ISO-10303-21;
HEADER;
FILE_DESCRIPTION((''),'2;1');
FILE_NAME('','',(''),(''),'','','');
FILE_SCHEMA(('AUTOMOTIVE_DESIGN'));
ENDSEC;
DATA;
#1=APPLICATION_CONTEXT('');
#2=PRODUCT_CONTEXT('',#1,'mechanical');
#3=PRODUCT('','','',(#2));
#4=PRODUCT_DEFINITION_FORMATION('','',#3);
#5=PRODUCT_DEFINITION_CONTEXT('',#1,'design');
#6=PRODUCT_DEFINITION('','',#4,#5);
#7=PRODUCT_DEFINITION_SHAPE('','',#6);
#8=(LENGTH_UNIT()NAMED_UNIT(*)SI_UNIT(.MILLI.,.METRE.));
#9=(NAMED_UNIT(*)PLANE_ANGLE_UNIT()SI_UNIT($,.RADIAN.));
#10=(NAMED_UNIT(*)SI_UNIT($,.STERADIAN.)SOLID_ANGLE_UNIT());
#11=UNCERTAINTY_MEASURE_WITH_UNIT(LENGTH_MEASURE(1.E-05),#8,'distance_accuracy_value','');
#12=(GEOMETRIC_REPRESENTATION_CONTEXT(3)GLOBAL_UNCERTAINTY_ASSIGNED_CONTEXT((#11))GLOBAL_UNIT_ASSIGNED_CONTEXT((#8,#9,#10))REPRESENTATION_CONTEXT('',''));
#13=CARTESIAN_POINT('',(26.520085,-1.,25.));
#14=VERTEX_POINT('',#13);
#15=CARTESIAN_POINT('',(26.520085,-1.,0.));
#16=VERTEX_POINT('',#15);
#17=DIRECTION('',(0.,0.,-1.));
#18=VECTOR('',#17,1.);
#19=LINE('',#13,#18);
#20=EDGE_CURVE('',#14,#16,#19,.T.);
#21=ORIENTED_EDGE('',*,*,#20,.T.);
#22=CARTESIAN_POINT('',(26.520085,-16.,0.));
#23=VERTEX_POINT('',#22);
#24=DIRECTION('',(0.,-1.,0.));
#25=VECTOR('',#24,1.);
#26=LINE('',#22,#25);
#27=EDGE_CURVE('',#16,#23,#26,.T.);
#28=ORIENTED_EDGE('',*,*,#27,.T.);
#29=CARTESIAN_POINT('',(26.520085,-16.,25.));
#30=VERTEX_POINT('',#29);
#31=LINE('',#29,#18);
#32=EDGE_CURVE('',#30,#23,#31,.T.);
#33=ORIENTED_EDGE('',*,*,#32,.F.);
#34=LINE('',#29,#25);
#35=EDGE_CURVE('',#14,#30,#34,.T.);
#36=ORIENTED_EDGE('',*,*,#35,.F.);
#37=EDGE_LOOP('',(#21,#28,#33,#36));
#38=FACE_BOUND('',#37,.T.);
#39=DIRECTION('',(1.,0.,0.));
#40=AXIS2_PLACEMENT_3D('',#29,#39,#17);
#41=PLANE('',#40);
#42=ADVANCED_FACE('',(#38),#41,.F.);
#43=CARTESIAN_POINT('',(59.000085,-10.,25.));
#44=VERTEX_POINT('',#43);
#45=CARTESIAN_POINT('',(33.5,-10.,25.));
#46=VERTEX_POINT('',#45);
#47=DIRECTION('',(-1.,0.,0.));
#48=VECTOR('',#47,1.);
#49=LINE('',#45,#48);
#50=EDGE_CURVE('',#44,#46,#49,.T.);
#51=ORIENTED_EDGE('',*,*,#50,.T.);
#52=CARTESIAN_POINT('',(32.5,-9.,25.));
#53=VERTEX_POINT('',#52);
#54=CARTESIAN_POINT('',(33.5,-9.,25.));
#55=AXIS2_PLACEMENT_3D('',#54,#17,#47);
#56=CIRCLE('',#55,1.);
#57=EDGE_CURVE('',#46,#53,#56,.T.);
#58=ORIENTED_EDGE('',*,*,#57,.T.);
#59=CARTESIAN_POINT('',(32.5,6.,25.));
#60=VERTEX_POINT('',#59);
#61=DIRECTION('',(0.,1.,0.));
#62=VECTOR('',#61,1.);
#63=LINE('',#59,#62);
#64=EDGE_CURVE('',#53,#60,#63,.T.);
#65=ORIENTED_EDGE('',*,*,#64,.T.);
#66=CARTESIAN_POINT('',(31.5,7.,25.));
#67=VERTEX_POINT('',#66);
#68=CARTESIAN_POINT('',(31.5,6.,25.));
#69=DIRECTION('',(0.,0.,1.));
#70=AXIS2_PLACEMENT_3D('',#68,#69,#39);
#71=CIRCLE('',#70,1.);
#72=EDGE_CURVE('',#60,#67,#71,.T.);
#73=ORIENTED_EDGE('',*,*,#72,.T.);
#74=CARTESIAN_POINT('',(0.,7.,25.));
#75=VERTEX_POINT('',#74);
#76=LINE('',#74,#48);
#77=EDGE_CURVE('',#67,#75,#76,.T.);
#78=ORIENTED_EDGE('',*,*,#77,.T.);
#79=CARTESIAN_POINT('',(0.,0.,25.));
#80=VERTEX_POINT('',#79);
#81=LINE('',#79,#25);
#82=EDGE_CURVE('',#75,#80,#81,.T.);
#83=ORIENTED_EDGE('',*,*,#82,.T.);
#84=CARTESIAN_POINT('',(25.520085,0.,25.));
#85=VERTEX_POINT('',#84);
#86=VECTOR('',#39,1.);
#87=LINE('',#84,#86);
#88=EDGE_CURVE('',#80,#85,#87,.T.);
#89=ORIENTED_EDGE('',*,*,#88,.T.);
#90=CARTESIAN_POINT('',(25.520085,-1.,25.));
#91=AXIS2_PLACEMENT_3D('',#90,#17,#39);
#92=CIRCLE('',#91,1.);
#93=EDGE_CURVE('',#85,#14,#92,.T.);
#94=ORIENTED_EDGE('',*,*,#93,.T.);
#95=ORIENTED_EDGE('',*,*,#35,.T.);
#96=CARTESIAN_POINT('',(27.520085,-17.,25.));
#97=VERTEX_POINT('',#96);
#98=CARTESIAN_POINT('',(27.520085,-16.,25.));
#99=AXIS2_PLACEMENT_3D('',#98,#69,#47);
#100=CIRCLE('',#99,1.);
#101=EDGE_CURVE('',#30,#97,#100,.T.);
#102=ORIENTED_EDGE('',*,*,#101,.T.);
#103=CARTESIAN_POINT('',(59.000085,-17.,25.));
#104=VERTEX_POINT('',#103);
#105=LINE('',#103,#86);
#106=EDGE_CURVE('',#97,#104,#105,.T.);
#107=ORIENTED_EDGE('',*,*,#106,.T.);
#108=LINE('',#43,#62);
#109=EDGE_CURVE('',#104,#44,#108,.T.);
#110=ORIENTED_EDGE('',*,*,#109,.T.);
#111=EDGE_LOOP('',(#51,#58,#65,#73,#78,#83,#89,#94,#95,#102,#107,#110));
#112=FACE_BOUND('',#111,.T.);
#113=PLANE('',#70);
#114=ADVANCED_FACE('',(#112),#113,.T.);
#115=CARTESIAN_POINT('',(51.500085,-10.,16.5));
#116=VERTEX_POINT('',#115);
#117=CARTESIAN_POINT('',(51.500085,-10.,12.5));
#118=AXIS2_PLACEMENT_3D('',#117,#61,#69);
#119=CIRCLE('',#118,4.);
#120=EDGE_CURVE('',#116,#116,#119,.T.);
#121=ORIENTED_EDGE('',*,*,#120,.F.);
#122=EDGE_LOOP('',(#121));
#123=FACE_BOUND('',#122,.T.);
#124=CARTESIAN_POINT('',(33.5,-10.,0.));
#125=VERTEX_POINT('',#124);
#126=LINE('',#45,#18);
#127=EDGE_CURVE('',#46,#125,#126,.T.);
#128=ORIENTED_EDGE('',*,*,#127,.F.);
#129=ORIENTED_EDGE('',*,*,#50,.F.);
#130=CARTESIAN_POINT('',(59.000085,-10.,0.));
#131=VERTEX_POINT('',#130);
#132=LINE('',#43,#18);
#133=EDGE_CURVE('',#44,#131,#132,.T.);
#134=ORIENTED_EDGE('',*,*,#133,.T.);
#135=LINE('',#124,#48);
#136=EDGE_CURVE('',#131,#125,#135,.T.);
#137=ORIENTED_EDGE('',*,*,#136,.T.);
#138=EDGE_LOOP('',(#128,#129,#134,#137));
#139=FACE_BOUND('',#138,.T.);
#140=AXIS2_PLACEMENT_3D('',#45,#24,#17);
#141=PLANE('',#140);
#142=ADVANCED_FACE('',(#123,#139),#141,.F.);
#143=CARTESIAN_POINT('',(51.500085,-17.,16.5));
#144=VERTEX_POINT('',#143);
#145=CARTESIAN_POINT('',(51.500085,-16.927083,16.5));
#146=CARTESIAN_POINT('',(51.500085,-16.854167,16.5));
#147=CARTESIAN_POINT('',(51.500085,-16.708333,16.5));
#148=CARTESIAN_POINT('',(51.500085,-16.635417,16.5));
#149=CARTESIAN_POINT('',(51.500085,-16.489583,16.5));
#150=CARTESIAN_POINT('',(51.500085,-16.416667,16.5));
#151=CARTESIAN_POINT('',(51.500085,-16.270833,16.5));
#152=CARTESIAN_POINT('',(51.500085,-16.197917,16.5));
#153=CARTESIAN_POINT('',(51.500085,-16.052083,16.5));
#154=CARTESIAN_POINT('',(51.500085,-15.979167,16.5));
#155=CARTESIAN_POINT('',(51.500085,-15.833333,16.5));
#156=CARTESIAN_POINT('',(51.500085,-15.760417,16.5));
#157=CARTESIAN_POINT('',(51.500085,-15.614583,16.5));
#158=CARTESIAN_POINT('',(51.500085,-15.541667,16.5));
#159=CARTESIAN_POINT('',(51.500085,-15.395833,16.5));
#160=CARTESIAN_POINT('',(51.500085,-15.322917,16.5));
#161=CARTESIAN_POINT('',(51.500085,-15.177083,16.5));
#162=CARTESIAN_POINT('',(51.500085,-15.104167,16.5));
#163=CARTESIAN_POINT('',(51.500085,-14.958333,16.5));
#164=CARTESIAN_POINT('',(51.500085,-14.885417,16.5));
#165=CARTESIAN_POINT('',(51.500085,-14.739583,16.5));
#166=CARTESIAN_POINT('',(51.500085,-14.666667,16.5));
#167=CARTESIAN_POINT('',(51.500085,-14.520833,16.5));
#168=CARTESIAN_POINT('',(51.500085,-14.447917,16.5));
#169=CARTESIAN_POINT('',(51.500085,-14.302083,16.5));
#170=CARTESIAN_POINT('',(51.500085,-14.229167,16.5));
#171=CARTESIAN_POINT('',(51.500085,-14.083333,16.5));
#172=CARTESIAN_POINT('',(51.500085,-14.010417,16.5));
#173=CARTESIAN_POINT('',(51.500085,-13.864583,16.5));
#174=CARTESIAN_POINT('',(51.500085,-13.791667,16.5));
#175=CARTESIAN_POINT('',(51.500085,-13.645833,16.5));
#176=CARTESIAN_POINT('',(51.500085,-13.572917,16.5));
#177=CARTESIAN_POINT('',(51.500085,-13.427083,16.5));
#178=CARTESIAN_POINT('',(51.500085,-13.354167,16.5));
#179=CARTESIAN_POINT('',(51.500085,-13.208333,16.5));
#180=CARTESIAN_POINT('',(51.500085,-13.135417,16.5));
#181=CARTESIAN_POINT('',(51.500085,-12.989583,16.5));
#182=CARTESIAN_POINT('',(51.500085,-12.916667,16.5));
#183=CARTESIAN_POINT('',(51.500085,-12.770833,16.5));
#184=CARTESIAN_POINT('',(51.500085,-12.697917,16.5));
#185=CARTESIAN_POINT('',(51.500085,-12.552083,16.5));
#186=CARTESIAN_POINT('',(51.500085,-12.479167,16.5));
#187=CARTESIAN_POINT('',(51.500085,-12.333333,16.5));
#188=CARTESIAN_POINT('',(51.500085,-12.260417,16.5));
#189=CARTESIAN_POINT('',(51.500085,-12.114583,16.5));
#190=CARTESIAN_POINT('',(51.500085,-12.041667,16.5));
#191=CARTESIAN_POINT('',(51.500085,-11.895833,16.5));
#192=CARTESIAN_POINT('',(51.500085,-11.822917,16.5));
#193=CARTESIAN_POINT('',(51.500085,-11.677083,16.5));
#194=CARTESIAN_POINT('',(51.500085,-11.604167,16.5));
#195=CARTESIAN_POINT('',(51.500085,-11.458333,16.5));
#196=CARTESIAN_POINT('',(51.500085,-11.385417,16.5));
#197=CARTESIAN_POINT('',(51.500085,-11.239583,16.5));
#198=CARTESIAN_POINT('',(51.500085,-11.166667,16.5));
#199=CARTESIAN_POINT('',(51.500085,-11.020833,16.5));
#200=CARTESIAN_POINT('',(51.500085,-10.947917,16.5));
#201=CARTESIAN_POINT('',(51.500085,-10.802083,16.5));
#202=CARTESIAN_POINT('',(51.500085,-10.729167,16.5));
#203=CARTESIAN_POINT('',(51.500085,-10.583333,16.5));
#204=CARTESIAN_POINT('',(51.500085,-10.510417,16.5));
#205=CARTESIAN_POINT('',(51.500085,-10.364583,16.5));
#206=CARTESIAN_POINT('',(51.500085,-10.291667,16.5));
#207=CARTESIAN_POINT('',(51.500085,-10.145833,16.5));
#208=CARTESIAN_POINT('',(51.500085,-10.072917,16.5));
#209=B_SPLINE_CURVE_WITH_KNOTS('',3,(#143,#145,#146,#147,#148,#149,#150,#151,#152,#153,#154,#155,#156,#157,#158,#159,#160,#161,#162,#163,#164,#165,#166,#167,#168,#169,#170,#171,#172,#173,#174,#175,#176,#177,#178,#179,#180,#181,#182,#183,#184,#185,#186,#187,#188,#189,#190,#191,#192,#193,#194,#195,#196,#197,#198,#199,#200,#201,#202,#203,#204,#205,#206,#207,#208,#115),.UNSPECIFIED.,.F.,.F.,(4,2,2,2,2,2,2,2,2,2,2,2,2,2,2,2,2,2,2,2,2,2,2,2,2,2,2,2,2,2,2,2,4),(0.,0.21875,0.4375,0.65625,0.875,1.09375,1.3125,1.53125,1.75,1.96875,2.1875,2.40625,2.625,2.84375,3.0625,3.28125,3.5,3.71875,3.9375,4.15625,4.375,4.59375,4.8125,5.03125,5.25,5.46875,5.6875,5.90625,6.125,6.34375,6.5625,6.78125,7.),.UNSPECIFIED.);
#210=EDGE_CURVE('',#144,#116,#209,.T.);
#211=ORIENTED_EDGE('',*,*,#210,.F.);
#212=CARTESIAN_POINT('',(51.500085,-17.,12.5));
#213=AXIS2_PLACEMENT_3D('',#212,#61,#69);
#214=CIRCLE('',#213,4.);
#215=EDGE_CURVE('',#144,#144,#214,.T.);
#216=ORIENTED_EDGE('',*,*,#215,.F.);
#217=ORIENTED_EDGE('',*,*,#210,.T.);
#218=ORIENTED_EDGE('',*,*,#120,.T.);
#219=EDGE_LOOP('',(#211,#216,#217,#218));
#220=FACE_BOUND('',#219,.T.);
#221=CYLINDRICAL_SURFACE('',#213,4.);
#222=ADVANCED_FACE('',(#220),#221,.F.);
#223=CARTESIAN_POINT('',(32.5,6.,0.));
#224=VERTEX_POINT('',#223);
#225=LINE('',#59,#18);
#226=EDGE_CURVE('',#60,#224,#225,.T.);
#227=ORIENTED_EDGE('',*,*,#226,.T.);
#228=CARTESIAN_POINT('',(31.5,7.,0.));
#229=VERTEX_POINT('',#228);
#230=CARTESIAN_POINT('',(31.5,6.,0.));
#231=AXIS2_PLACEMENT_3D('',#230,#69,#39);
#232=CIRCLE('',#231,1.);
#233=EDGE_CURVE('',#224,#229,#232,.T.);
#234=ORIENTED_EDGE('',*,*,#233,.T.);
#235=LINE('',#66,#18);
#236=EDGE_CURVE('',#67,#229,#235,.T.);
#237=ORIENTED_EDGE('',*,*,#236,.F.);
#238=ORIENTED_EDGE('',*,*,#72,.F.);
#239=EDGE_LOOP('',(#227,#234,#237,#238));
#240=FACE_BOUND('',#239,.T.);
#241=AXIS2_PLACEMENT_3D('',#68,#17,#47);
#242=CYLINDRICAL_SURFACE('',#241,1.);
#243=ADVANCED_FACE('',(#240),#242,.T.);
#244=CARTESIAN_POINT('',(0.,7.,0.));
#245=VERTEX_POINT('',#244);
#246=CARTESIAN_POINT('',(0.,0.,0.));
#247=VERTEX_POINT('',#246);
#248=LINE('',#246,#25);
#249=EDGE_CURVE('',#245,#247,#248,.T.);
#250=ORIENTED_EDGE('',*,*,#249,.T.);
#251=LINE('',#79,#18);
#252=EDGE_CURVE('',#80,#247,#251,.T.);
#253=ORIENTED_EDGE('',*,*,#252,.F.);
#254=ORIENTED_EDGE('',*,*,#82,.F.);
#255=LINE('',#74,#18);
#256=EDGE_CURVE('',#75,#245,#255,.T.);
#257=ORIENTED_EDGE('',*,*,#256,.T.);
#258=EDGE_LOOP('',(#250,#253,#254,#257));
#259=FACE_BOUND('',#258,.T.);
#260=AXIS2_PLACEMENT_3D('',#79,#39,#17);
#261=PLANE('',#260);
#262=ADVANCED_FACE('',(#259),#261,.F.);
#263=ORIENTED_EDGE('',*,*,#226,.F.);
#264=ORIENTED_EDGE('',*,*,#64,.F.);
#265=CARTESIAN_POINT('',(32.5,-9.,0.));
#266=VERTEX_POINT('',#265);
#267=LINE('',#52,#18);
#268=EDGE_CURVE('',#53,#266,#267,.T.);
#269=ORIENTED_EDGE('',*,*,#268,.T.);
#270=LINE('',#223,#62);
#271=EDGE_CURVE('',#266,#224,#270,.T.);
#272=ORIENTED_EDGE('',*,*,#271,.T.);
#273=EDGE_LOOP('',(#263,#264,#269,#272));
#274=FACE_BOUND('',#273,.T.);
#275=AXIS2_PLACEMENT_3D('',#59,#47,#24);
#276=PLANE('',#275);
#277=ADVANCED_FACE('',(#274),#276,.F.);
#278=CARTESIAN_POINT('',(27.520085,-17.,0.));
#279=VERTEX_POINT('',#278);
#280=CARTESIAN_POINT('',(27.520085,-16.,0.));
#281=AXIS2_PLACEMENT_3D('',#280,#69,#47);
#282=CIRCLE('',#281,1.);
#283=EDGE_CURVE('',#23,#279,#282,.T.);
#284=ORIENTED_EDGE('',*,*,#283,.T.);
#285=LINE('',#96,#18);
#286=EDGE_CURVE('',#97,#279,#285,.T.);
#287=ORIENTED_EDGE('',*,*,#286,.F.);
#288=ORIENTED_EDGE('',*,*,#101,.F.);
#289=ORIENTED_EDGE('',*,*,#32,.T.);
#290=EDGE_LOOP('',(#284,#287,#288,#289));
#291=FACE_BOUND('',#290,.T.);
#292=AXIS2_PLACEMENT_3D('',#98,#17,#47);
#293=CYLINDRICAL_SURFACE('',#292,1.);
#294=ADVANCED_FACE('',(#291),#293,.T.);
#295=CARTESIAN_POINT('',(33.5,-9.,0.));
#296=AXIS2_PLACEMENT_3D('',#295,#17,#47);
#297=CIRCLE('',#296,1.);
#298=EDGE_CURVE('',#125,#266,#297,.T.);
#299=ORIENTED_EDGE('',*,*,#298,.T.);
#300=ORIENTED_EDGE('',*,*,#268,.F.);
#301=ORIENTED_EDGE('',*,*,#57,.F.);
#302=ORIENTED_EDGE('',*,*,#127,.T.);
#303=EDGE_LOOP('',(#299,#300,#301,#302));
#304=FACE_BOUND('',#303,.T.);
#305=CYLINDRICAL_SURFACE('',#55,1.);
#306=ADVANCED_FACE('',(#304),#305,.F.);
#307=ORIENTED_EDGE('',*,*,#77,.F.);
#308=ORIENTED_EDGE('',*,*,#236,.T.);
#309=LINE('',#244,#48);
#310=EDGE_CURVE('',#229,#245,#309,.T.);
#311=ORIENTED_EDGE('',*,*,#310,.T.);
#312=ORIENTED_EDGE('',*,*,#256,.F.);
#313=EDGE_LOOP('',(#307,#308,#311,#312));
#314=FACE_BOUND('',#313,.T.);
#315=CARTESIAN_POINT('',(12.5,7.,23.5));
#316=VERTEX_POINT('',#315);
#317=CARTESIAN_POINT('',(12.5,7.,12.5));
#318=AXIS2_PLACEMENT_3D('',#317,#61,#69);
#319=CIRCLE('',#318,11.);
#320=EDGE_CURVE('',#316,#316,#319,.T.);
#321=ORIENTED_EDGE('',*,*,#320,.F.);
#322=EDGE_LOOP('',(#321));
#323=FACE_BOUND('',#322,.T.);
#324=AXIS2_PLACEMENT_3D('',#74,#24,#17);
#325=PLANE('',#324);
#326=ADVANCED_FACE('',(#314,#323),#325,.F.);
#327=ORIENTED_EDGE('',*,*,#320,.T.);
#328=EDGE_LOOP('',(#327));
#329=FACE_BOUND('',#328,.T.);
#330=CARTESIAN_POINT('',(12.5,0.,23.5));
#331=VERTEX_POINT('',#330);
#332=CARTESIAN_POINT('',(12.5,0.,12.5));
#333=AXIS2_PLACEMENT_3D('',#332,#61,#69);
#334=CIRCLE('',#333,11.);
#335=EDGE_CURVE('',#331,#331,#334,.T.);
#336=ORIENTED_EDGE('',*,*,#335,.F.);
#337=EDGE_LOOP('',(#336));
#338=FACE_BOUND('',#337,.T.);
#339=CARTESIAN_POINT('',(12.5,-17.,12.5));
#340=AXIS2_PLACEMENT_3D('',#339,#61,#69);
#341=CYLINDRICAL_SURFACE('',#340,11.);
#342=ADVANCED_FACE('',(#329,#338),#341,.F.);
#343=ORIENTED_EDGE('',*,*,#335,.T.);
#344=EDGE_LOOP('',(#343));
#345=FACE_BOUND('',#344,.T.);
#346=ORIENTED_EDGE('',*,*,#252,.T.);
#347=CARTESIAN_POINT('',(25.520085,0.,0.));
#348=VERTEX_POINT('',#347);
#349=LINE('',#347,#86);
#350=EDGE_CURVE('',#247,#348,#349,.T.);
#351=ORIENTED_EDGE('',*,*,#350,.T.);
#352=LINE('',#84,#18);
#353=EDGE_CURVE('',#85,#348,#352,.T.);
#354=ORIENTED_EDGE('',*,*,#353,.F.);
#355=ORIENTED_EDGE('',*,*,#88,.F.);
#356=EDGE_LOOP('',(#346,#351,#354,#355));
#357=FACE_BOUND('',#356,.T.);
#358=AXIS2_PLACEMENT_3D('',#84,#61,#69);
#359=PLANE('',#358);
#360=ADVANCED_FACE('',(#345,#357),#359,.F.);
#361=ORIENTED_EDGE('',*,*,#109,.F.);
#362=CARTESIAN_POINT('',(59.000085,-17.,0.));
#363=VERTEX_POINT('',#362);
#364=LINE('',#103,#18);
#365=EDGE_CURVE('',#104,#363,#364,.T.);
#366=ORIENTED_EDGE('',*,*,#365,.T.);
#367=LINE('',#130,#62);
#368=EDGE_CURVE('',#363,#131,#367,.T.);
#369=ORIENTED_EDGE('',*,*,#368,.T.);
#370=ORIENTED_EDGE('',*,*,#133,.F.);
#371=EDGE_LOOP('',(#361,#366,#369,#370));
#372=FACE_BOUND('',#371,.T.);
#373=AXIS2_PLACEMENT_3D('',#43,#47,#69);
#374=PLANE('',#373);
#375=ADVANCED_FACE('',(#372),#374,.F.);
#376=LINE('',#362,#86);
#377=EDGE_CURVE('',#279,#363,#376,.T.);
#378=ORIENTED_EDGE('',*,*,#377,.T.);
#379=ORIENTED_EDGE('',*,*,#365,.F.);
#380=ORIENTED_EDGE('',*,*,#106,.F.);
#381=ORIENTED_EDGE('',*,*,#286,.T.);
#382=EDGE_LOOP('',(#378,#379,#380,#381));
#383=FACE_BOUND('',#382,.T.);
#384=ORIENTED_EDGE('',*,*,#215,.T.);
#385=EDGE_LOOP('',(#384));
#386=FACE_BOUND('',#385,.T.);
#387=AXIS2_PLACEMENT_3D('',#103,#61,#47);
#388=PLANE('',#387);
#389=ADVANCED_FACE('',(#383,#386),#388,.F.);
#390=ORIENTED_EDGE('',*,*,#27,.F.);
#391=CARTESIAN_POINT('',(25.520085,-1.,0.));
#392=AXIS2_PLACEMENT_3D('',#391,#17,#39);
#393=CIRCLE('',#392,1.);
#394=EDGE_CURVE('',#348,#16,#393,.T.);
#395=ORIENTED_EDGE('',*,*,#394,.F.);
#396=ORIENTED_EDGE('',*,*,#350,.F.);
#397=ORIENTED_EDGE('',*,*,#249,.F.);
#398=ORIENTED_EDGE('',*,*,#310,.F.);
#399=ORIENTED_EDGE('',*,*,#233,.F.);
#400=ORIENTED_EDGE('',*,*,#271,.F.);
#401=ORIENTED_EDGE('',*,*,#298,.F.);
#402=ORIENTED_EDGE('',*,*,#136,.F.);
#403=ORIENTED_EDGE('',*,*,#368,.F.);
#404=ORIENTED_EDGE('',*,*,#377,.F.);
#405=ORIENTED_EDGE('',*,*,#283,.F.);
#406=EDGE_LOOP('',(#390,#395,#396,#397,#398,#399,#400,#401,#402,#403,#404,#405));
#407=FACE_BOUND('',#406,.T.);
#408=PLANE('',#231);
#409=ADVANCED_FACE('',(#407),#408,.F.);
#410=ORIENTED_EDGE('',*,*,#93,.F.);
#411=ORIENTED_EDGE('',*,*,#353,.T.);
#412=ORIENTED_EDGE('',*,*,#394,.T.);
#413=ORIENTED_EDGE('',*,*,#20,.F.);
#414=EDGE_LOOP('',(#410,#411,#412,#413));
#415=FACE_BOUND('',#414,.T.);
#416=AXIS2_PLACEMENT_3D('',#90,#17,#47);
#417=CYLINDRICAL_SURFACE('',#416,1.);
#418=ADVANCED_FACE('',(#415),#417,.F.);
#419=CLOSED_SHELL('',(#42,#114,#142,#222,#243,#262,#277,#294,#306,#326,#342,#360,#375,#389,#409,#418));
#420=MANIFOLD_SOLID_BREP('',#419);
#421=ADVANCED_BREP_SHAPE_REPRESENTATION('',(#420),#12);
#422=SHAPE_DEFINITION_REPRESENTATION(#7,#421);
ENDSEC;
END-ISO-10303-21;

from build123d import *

# Parameters (mm, degrees)
BOSS_EXTRUDE1_DEPTH = 25
SKETCH3_R           = 11
CUT_EXTRUDE1_DEPTH  = 69.425214496
SKETCH4_R           = 4
CUT_EXTRUDE2_DEPTH  = 67.294871437


with BuildPart() as part:
    # Sketch2 → Boss-Extrude1 (new body)
    with BuildSketch(Plane.XY):
        with BuildLine():
            Line((0, 0), (0, 7))
            Line((0, 7), (31.5, 7))
            ThreePointArc((31.5, 7), (32.207106781, 6.707106781), (32.5, 6))
            Line((32.5, 6), (32.5, -9))
            ThreePointArc((32.5, -9), (32.792893219, -9.707106781), (33.5, -10))
            Line((33.5, -10), (59.000084567, -10))
            Line((59.000084567, -10), (59.000084567, -17))
            Line((59.000084567, -17), (27.520084567, -17))
            ThreePointArc((27.520084567, -17), (26.812977785, -16.707106781), (26.520084567, -16))
            Line((26.520084567, -16), (26.520084567, -1))
            ThreePointArc((26.520084567, -1), (26.227191348, -0.292893219), (25.520084567, 0))
            Line((25.520084567, 0), (0, 0))
        make_face()
    extrude(amount=BOSS_EXTRUDE1_DEPTH)

    # Sketch3 → Cut-Extrude1 (cut, through all)
    with BuildSketch(Plane(origin=(0, 7, 0), x_dir=(1, 0, 0), z_dir=(0, 1, 0))):
        with Locations(Location((12.5, -12.5, 0), (0, 0, 270))):
            Circle(SKETCH3_R)
    extrude(amount=-CUT_EXTRUDE1_DEPTH, mode=Mode.SUBTRACT)

    # Sketch4 → Cut-Extrude2 (cut, through all)
    with BuildSketch(Plane(origin=(0, -10, 0), x_dir=(1, 0, 0), z_dir=(0, 1, 0))):
        with Locations(Location((51.500084567, -12.5, 0), (0, 0, 270))):
            Circle(SKETCH4_R)
    extrude(amount=-CUT_EXTRUDE2_DEPTH, mode=Mode.SUBTRACT)


solid = part.part
